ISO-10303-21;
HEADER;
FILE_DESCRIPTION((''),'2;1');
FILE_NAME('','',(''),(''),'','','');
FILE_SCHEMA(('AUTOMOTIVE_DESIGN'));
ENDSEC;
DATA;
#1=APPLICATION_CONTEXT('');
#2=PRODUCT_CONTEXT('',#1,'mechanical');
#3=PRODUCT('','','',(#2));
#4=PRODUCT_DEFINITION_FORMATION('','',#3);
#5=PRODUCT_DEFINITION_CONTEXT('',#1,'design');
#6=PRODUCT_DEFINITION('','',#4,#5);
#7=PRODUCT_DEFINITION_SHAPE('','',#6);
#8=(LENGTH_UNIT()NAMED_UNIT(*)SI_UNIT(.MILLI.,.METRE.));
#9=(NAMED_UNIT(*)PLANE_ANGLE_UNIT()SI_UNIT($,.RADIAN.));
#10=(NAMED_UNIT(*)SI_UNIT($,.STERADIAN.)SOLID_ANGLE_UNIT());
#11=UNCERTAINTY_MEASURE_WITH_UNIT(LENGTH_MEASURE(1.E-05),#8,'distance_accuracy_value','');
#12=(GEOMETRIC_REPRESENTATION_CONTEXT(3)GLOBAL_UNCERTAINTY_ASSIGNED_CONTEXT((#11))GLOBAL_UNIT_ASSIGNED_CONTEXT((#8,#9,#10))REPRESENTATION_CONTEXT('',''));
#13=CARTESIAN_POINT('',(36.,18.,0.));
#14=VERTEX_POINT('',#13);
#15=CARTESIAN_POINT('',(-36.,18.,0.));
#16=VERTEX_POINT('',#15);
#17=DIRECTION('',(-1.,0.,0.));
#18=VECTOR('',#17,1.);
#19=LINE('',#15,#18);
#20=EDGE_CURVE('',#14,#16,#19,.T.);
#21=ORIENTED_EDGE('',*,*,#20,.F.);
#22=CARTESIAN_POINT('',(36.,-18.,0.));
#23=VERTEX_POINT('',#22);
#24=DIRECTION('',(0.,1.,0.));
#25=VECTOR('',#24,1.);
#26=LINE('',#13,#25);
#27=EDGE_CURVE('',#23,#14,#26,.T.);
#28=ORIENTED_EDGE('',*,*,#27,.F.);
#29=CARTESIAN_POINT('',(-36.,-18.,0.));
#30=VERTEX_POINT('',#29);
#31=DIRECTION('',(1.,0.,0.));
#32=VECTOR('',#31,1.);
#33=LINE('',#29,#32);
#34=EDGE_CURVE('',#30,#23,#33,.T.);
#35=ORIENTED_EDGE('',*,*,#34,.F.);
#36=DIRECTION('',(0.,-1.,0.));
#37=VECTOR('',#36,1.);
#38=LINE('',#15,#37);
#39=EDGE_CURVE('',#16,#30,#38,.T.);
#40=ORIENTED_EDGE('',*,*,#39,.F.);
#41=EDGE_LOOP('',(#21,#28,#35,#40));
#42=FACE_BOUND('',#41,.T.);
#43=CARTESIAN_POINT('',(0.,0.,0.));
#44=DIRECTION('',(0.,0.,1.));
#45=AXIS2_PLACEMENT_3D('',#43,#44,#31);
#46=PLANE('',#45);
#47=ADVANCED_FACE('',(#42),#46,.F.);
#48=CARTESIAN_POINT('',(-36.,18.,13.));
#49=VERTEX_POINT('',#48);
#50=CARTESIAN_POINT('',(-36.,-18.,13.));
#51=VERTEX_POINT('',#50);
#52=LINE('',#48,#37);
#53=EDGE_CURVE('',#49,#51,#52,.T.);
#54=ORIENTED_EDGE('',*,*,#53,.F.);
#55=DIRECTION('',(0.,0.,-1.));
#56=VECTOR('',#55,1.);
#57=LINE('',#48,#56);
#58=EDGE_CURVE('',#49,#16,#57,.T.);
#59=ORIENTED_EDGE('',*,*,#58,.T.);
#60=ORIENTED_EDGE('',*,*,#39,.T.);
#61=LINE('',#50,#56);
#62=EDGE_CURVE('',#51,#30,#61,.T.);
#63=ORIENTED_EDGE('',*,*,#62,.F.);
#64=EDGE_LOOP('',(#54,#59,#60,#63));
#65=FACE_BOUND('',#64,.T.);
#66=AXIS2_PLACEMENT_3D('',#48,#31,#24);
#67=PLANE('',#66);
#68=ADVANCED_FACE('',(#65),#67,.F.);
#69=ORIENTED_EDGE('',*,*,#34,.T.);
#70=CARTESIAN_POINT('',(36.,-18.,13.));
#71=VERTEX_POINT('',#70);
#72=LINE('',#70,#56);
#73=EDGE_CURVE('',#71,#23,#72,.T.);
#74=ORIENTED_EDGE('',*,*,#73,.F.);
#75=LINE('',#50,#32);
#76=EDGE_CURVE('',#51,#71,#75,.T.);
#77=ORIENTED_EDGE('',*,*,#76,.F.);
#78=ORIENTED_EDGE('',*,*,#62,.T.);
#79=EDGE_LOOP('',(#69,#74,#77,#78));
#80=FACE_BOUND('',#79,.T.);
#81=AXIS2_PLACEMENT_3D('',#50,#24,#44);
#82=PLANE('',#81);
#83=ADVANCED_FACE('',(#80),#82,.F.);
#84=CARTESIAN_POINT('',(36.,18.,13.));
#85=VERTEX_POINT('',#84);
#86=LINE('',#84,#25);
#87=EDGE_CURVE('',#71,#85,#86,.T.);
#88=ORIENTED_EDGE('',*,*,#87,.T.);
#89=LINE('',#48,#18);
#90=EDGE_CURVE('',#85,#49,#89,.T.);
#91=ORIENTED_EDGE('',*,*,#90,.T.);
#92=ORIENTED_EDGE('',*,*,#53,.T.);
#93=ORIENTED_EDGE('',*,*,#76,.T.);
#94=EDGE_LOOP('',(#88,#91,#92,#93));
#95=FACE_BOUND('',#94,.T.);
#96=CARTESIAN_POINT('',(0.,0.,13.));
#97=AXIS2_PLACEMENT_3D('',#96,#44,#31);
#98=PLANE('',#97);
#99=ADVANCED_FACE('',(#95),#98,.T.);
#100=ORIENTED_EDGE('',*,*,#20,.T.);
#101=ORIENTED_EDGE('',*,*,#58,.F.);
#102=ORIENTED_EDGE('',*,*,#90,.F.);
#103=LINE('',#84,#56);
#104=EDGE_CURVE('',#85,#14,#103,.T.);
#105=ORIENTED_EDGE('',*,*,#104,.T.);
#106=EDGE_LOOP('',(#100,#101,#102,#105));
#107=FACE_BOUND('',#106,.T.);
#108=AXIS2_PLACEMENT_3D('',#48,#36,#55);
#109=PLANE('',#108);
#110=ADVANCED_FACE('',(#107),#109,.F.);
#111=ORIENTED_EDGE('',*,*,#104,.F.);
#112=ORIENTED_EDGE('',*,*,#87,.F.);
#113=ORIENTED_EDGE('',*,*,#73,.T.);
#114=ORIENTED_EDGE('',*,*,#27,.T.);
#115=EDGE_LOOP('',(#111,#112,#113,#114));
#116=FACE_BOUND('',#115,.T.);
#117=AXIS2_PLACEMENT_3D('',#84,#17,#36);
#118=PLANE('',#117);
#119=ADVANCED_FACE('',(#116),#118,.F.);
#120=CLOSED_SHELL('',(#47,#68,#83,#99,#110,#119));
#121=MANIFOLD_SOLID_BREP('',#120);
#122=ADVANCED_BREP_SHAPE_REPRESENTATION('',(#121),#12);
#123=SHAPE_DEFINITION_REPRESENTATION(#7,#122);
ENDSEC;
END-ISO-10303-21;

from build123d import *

# Parameters (mm, degrees)
CROQUIS1_W              = 72
CROQUIS1_H              = 36
SALIENTE_EXTRUIR1_DEPTH = 13


with BuildPart() as part:
    # Croquis1 → Saliente-Extruir1 (new body)
    with BuildSketch(Plane.XY):
        Rectangle(CROQUIS1_W, CROQUIS1_H)
    extrude(amount=SALIENTE_EXTRUIR1_DEPTH)


solid = part.part
